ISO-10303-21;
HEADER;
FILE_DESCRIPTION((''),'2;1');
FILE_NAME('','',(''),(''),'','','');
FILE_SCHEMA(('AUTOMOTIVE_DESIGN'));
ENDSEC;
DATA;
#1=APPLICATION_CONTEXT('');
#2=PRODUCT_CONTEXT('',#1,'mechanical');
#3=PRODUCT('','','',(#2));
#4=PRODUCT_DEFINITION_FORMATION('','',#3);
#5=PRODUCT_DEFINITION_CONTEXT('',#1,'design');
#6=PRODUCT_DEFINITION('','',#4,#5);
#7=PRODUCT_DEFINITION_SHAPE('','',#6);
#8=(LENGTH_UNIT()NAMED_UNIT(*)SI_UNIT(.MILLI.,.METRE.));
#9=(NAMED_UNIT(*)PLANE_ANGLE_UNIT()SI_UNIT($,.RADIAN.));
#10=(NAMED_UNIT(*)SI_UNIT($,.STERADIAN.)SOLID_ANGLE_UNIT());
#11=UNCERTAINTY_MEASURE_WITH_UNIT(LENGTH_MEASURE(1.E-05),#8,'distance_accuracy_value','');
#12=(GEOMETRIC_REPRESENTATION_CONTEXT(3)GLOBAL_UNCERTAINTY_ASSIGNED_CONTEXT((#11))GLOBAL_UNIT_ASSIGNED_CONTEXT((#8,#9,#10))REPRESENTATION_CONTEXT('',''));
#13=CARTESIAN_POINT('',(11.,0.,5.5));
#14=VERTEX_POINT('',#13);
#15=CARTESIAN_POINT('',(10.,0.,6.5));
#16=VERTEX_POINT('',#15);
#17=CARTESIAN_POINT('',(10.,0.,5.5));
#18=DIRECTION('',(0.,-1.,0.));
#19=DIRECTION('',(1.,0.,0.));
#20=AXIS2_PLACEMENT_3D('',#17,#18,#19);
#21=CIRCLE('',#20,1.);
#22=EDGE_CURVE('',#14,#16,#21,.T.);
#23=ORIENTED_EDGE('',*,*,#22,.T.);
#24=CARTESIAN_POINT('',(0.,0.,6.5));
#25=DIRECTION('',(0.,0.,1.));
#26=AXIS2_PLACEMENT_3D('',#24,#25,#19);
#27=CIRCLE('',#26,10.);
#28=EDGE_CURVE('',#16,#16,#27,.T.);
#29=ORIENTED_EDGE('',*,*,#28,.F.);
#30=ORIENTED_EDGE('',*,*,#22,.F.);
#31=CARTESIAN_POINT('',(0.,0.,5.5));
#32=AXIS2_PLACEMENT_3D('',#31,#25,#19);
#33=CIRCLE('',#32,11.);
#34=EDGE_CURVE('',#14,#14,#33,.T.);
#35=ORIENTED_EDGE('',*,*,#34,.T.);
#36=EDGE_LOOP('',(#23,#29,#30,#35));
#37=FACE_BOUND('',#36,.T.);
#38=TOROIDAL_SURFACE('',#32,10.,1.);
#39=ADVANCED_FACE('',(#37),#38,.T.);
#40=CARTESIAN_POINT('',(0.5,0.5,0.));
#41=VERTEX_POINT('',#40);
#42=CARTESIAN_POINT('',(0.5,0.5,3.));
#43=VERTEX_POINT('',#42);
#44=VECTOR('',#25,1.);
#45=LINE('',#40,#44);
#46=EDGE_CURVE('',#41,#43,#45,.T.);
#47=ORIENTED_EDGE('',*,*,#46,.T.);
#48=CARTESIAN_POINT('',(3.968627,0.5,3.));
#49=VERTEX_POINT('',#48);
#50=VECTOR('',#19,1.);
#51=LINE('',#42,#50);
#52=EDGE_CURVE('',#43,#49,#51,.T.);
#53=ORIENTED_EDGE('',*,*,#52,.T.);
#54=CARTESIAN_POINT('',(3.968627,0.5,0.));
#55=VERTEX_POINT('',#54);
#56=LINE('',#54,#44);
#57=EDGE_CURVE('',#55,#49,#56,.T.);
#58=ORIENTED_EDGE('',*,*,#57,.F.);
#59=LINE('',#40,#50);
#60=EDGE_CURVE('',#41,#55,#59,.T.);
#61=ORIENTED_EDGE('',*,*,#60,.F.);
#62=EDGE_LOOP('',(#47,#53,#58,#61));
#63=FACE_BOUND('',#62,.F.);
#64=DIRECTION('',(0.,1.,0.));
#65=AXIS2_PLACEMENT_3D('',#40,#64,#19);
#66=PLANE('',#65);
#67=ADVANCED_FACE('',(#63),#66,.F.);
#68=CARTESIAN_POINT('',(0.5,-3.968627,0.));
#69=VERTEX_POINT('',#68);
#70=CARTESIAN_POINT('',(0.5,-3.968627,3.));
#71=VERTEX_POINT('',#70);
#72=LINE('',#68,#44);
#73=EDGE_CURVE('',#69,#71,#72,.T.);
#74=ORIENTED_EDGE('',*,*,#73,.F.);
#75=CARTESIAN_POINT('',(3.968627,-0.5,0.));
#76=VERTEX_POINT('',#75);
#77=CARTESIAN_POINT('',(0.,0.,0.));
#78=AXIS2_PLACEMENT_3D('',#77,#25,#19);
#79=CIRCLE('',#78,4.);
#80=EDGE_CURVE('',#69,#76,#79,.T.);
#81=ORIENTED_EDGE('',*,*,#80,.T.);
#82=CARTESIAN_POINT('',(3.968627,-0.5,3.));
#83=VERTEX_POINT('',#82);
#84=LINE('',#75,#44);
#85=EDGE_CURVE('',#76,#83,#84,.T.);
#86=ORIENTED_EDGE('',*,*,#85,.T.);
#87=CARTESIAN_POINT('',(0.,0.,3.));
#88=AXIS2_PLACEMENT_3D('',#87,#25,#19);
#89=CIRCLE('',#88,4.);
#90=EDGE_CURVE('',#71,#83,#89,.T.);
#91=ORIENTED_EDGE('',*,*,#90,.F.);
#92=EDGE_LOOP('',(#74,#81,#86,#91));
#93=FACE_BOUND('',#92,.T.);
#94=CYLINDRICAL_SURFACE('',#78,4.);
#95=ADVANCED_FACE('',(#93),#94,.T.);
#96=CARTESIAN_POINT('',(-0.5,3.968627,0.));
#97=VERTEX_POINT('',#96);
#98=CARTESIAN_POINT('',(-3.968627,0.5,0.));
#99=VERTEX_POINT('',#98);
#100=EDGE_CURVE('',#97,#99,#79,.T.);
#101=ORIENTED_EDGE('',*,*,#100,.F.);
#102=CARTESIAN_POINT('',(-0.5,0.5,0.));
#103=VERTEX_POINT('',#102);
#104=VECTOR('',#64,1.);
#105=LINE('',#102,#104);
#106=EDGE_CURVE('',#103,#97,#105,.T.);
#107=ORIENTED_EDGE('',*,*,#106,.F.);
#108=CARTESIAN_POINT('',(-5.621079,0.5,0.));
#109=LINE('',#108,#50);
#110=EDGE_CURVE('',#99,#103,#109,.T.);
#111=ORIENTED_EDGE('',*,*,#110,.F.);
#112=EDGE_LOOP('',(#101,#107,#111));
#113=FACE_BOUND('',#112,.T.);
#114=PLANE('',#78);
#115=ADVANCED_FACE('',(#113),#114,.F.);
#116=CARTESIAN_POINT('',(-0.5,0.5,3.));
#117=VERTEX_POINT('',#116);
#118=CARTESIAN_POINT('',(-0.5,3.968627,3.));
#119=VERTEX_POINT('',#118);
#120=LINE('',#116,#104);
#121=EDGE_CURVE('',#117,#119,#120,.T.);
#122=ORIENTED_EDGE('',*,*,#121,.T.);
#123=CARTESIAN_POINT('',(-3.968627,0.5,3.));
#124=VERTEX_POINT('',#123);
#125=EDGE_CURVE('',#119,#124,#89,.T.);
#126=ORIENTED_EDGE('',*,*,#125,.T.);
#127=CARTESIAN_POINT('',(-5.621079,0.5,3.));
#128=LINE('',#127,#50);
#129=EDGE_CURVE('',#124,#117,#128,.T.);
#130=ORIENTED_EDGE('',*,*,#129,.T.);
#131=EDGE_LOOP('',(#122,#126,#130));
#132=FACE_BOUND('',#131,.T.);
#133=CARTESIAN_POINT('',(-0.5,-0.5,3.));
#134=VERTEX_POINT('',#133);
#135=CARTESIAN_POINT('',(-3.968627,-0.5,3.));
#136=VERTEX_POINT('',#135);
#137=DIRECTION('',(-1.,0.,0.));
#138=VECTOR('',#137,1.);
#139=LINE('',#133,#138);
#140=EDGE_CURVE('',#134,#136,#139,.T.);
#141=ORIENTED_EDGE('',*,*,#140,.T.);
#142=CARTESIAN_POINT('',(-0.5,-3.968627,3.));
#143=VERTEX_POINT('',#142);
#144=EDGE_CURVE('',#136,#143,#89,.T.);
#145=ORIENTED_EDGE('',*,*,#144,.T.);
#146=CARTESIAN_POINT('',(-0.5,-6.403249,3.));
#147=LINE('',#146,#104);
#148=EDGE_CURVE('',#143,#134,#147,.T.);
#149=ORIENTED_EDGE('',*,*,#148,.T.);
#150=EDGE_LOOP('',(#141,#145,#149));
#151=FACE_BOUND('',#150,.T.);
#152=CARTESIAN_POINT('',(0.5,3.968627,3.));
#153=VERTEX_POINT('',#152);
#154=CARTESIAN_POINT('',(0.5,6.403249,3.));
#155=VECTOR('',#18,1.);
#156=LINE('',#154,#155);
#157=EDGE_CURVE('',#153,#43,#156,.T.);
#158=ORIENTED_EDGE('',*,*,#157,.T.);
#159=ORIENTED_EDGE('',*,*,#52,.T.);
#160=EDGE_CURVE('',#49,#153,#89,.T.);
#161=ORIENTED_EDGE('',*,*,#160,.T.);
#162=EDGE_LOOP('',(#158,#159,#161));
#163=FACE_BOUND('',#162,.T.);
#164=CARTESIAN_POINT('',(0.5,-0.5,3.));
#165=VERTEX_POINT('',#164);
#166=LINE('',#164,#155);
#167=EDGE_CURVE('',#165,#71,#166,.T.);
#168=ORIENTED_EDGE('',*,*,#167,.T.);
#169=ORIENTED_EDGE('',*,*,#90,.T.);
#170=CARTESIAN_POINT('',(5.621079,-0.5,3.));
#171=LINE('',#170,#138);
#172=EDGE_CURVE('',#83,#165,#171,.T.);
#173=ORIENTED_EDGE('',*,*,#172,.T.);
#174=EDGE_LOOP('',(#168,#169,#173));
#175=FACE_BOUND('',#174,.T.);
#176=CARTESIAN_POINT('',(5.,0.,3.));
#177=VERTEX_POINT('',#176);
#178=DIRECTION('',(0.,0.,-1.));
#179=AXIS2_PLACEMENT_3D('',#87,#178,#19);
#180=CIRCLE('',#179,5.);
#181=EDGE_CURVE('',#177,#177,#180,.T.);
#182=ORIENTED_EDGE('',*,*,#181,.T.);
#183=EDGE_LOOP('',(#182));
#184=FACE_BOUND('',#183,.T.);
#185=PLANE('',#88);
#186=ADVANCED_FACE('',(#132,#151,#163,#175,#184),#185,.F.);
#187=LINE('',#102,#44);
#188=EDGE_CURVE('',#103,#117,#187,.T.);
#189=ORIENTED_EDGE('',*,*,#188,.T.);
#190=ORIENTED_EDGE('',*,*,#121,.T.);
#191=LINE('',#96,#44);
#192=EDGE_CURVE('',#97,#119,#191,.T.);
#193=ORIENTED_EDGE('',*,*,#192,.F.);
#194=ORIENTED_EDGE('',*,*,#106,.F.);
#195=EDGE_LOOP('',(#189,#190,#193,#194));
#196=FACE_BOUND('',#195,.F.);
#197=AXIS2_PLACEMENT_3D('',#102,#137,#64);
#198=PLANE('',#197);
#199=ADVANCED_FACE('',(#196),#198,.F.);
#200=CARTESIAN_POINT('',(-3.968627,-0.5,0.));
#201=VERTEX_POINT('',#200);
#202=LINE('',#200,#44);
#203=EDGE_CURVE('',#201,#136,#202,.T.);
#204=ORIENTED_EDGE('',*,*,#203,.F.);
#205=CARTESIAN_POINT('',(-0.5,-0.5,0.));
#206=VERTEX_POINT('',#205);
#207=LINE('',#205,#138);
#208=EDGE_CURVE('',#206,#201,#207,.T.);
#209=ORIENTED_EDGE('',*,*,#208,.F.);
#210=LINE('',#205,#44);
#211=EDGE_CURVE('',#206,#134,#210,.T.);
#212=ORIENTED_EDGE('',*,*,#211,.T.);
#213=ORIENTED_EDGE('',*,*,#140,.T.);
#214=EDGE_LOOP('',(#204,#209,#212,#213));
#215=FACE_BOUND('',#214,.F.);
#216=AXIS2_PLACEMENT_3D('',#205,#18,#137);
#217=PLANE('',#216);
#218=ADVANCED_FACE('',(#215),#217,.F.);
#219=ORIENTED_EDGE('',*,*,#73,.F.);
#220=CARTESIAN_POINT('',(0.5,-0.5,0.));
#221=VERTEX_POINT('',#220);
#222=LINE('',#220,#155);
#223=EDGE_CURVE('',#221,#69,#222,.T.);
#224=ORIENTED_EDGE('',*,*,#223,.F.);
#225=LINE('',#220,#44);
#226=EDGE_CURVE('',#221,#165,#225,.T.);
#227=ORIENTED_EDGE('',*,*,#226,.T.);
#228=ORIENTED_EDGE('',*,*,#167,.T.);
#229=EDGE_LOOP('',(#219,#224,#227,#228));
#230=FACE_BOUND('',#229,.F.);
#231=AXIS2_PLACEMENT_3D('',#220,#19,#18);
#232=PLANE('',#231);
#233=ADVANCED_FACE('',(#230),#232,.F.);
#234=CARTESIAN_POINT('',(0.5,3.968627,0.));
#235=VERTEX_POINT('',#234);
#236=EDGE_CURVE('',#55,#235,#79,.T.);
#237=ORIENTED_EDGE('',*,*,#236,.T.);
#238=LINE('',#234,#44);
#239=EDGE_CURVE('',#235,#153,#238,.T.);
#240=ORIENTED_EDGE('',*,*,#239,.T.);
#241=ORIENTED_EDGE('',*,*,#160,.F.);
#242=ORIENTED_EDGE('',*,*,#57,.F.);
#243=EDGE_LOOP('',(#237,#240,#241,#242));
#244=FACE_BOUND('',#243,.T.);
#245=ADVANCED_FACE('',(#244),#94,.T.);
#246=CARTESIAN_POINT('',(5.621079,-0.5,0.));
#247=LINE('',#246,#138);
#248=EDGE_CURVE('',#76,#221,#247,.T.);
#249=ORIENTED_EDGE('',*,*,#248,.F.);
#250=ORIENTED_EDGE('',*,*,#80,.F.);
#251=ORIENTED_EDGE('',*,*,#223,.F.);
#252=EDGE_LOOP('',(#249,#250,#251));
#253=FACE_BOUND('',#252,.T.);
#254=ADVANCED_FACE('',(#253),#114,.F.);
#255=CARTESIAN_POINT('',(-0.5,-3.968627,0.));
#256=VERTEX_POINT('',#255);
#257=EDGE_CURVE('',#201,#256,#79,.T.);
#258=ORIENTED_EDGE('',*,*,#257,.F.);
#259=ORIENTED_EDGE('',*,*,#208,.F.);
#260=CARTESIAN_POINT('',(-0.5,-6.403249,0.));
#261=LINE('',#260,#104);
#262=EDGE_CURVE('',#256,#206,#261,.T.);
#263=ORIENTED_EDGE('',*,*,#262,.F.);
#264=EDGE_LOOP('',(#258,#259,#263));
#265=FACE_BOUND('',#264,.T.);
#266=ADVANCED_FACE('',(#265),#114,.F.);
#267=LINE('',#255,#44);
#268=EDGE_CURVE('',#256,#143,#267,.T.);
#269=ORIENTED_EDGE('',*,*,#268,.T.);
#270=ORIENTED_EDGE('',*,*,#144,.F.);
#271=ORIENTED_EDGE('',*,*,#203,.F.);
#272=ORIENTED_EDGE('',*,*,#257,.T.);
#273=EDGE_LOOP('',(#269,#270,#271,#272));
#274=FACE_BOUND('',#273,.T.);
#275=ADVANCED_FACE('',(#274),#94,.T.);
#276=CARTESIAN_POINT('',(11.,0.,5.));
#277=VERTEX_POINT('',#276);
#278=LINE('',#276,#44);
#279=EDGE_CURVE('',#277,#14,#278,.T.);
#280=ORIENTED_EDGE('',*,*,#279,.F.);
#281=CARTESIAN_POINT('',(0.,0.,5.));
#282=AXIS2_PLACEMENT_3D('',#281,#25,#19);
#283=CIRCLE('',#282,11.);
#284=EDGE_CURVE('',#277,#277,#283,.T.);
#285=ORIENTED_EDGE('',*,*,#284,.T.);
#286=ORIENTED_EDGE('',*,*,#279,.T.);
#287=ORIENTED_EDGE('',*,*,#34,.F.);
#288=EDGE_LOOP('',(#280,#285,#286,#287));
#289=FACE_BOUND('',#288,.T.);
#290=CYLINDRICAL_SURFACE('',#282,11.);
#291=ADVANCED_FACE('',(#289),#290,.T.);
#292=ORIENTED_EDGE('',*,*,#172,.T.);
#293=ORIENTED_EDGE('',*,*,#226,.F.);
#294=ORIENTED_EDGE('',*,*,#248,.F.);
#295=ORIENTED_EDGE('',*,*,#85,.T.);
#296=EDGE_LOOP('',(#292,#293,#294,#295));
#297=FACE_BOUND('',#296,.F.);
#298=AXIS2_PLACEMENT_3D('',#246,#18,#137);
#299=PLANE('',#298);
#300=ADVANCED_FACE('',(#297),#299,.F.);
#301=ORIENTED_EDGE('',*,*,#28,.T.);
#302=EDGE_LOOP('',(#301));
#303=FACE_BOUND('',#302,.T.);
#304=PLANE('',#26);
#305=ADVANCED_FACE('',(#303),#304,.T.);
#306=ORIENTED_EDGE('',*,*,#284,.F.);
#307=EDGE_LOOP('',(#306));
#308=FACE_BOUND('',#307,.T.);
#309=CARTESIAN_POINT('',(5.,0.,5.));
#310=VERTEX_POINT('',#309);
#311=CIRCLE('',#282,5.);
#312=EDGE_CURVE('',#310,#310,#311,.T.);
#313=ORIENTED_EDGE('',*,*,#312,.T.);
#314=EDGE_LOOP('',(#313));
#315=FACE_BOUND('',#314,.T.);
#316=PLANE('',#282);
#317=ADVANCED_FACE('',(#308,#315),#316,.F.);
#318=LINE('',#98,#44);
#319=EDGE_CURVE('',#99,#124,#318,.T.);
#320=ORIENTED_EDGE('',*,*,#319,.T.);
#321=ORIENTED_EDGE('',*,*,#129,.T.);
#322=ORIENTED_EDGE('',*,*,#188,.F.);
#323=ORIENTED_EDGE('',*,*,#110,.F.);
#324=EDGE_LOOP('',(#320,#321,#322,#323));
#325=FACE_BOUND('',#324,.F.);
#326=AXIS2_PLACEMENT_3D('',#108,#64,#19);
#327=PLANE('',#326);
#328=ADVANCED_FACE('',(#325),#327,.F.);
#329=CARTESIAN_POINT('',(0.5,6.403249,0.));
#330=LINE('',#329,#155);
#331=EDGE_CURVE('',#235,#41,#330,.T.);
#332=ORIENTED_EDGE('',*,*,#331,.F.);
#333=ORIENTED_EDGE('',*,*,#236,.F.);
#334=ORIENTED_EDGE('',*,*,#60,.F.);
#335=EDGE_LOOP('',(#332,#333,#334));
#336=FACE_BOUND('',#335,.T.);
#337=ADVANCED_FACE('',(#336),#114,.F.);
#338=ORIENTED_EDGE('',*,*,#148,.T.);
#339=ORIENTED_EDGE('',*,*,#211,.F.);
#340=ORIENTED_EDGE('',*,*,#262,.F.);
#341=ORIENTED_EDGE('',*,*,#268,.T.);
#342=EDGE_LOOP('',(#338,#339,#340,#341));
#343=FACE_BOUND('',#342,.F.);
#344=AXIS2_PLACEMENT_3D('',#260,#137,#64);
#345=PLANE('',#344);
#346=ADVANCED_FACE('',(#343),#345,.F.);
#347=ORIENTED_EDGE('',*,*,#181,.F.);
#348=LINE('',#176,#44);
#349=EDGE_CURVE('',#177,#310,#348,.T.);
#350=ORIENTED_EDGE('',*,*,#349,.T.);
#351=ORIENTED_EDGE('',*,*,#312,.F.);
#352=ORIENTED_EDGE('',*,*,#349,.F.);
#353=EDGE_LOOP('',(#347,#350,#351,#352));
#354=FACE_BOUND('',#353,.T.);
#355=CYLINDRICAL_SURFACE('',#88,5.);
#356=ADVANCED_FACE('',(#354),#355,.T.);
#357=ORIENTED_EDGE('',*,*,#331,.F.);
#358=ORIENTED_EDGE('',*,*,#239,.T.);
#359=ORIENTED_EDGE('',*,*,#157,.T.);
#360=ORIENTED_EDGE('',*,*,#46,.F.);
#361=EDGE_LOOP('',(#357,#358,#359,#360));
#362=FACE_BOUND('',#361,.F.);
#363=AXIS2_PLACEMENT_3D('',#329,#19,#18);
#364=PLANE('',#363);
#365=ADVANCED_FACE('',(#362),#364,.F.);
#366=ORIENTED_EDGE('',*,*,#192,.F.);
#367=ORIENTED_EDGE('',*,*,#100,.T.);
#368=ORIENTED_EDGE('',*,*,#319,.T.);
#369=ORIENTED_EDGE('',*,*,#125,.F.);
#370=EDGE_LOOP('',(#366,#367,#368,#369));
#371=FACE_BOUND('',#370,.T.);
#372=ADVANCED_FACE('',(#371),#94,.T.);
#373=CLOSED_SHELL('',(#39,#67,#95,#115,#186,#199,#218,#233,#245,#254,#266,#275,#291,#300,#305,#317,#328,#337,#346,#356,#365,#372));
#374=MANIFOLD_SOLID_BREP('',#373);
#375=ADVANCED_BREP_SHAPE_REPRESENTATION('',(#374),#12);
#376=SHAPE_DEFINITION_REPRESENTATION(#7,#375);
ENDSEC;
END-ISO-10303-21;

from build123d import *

# Parameters (mm, degrees)
F3_DEPTH = 3
F4_R     = 1


with BuildPart() as f1:
    # F0 (on Front) → F1 (revolve)
    with BuildSketch(Plane.XZ):
        Polygon((0, 6.5), (0, 0), (4, 0), (4, 3), (5, 3), (5, 5), (11, 5), (11, 6.5), align=None)
    revolve(axis=Axis((0, 0, 5.302473), (0, 0, 1)))

    # F2 (on face) → F3 (cut, through all)
    with BuildSketch(Plane(origin=(0, 0, 0), x_dir=(1, 0, 0), z_dir=(0, 0, -1))):
        Polygon((-0.5, -6.403249), (0.5, -6.403249), (0.5, -0.5), (5.621079, -0.5), (5.621079, 0.5), (0.5, 0.5), (0.5, 6.403249), (-0.5, 6.403249), (-0.5, 0.5), (-5.621079, 0.5), (-5.621079, -0.5), (-0.5, -0.5), align=None)
    extrude(amount=-F3_DEPTH, mode=Mode.SUBTRACT)

    # F4
    f4_edges = [f1.edges().sort_by_distance(p)[0] for p in [
        (-11, 0, 6.5),
    ]]
    fillet(f4_edges, radius=F4_R)


solid = f1.part
